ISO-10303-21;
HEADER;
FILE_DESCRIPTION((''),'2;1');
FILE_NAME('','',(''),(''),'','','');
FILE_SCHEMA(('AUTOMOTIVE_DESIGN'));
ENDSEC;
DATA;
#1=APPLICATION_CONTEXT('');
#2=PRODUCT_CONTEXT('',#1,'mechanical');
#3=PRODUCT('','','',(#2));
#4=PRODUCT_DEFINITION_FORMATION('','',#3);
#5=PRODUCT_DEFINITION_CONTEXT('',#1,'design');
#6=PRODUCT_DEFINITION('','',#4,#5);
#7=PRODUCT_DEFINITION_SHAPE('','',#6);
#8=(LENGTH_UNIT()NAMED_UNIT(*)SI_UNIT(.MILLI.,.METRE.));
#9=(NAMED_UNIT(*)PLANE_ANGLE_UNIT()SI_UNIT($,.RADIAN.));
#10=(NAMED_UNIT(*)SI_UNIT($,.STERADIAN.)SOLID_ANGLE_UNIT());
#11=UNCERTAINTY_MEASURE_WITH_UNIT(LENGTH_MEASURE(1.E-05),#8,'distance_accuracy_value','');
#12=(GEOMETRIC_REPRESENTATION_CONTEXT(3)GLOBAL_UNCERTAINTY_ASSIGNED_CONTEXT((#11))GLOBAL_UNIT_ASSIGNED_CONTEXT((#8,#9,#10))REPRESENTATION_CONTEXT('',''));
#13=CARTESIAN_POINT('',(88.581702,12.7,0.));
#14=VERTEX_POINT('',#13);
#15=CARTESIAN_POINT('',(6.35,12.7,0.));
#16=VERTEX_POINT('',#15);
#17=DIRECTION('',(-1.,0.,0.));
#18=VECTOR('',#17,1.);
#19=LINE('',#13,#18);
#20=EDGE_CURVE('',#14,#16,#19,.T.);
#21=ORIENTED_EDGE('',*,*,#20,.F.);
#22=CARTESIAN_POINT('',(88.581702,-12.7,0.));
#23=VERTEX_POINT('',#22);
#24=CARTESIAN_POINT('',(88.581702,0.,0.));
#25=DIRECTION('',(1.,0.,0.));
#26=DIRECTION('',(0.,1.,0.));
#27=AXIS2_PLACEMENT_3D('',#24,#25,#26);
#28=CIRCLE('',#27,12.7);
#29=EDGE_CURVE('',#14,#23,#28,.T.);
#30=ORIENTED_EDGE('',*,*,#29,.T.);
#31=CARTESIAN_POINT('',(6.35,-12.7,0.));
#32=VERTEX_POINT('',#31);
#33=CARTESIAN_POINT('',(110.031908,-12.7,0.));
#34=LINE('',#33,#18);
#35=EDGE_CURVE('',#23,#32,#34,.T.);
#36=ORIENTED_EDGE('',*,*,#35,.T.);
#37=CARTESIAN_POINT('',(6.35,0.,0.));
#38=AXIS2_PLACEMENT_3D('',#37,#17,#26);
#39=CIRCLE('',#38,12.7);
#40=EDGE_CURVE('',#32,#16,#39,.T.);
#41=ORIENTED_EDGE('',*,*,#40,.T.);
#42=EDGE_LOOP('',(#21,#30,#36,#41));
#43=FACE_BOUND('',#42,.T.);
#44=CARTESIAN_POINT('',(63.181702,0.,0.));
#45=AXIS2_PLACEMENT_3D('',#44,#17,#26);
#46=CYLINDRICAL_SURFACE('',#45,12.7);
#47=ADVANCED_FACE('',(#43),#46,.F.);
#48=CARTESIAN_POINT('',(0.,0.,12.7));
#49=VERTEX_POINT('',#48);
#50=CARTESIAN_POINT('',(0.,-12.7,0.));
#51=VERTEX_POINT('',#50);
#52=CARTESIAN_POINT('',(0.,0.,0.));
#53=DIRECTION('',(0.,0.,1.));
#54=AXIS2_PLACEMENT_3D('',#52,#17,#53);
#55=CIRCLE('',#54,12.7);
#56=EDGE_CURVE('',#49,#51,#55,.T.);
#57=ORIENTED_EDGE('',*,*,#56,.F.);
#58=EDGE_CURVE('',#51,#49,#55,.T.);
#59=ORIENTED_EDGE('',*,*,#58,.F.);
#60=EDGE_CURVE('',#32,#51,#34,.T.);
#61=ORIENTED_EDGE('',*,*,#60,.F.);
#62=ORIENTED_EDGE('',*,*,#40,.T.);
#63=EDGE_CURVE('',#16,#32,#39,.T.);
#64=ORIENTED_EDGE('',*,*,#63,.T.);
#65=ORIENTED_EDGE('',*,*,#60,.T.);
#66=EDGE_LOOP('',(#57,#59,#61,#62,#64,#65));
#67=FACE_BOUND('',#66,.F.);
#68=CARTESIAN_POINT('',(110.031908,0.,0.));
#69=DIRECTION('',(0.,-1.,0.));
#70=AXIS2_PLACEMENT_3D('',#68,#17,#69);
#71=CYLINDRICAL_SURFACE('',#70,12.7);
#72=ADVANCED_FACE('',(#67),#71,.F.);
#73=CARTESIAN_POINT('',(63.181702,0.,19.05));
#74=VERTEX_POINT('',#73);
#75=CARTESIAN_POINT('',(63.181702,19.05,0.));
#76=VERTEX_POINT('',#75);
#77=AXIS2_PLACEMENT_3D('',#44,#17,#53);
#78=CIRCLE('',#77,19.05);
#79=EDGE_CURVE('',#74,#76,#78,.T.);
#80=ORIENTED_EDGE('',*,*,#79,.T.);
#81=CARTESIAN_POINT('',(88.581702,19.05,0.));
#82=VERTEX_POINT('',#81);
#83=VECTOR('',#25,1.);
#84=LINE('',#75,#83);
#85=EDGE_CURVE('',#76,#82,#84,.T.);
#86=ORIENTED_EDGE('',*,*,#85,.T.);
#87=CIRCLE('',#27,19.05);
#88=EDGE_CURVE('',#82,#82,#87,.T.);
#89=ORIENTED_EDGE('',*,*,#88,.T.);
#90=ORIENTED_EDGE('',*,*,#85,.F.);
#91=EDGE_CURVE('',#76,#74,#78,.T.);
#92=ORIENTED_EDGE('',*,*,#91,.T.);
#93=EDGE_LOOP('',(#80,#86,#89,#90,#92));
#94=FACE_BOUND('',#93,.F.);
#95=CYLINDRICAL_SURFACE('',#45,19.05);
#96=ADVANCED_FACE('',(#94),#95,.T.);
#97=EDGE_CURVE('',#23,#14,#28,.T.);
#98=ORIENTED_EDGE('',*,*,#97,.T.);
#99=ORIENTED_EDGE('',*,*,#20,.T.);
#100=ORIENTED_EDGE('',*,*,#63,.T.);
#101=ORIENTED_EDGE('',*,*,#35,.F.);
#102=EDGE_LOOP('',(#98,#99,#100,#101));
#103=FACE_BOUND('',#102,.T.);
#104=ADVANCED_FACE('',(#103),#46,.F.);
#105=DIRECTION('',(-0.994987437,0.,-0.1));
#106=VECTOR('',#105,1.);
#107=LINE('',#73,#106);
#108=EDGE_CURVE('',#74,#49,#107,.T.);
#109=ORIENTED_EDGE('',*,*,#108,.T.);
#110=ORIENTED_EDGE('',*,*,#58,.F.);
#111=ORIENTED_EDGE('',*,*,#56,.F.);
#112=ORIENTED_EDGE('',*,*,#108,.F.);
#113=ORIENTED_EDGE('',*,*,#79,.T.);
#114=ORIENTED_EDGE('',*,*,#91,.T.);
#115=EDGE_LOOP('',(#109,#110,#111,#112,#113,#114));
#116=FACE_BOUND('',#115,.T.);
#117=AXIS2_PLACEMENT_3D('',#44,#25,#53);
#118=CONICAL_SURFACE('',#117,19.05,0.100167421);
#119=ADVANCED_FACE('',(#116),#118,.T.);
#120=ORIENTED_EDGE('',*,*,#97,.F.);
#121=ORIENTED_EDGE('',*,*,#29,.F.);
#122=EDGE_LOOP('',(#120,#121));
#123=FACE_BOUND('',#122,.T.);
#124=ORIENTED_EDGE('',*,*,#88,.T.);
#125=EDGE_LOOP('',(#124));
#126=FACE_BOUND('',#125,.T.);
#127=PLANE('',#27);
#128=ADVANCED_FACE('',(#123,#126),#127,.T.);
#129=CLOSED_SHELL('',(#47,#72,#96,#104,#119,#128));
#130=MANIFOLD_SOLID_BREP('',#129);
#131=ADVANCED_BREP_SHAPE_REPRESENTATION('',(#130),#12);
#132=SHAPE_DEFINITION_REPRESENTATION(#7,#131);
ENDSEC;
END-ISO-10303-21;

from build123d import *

# Parameters (mm, degrees)
F2_R     = 19.05
F3_DEPTH = 25.4
F4_T     = -6.35
F6_D     = 25.4
F6_DEPTH = 82.2327022563
F8_D     = 25.4


with BuildPart() as f1:
    # F0 (on Front) → F1 (revolve)
    with BuildSketch(Plane.XZ):
        Polygon((0, 12.7), (0, 0), (63.1817022563, 0), (63.1817022563, 19.05), align=None)
    revolve(axis=Axis((31.5908511281, 0, 0), (-1, 0, 0)))

    # F2 (on face) → F3 (join)
    with BuildSketch(Plane.YZ.offset(63.1817022563)):
        Circle(F2_R)
    extrude(amount=F3_DEPTH)

    # F4
    f4_openings = [f1.faces().sort_by_distance(p)[0] for p in [
        (88.581702, 0, 0),
    ]]
    offset(amount=F4_T, openings=f4_openings)

    # F6 (through all, one way)
    with BuildSketch(Plane(origin=(6.35, 0, 0), x_dir=(0, 1, 0), z_dir=(-1, 0, 0))):
        with Locations((0, 0)):
            Circle(F6_D / 2)
    extrude(amount=-F6_DEPTH, mode=Mode.SUBTRACT)

    # F8 (through all)
    with Locations(Plane.YZ.offset(6.35)):
        with Locations((0, 0)):
            Hole(F8_D / 2)


solid = f1.part
